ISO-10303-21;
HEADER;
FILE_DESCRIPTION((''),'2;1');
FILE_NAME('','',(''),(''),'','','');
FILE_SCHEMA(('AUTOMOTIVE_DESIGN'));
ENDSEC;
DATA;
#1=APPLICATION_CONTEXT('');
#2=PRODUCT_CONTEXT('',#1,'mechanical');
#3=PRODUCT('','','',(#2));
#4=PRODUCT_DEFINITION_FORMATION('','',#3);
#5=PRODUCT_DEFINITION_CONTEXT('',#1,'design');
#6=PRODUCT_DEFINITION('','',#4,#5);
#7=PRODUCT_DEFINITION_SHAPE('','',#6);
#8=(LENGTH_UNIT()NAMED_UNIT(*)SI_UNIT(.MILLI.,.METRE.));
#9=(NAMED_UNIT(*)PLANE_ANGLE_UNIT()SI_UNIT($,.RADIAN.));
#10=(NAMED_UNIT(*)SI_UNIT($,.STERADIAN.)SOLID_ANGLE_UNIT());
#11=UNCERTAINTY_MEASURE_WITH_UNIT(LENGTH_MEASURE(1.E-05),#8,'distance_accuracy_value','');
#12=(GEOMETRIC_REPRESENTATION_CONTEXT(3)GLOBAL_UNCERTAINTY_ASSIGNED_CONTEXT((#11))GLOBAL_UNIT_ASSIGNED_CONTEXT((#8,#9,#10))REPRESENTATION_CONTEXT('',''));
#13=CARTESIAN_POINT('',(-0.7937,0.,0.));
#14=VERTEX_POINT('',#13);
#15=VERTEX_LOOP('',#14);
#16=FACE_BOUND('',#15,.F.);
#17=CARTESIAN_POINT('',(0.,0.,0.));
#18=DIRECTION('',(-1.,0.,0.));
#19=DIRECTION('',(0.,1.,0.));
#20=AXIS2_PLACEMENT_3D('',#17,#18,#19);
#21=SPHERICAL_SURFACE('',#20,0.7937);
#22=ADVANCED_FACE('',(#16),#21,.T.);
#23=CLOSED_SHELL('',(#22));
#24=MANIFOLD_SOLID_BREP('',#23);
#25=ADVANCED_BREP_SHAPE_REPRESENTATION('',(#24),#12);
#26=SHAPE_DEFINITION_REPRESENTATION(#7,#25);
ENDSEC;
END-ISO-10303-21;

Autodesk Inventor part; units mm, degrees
sketch "Sketch_1" plane through (0, 0, 0) normal (0, 0, 1) x (1, 0, 0)
  line L0 (0.7937, 0) -> (-0.7937, 0)
  arc A0 (0.7937, 0) -> (-0.7937, 0) centre (0, 0) ccw
  line L1 (0.7937, 0) -> (-0.7937, 0)
revolve "Revolution1" add sketch "Sketch_1" angle 360 about axis through (0.7937, 0, 0) along (1, 0, 0)
ref_plane "1_XY" through (0, 0, 0) normal (0, 0, 1) x (1, 0, 0)
ref_plane "1_YZ" through (0, 0, 0) normal (1, 0, 0) x (0, 1, 0)
ref_plane "1_ZX" through (0, 0, 0) normal (0, 1, 0) x (0, 0, 1)
properties part number "LF-1480ZZ_ball" material "鋼、炭素鋼"
